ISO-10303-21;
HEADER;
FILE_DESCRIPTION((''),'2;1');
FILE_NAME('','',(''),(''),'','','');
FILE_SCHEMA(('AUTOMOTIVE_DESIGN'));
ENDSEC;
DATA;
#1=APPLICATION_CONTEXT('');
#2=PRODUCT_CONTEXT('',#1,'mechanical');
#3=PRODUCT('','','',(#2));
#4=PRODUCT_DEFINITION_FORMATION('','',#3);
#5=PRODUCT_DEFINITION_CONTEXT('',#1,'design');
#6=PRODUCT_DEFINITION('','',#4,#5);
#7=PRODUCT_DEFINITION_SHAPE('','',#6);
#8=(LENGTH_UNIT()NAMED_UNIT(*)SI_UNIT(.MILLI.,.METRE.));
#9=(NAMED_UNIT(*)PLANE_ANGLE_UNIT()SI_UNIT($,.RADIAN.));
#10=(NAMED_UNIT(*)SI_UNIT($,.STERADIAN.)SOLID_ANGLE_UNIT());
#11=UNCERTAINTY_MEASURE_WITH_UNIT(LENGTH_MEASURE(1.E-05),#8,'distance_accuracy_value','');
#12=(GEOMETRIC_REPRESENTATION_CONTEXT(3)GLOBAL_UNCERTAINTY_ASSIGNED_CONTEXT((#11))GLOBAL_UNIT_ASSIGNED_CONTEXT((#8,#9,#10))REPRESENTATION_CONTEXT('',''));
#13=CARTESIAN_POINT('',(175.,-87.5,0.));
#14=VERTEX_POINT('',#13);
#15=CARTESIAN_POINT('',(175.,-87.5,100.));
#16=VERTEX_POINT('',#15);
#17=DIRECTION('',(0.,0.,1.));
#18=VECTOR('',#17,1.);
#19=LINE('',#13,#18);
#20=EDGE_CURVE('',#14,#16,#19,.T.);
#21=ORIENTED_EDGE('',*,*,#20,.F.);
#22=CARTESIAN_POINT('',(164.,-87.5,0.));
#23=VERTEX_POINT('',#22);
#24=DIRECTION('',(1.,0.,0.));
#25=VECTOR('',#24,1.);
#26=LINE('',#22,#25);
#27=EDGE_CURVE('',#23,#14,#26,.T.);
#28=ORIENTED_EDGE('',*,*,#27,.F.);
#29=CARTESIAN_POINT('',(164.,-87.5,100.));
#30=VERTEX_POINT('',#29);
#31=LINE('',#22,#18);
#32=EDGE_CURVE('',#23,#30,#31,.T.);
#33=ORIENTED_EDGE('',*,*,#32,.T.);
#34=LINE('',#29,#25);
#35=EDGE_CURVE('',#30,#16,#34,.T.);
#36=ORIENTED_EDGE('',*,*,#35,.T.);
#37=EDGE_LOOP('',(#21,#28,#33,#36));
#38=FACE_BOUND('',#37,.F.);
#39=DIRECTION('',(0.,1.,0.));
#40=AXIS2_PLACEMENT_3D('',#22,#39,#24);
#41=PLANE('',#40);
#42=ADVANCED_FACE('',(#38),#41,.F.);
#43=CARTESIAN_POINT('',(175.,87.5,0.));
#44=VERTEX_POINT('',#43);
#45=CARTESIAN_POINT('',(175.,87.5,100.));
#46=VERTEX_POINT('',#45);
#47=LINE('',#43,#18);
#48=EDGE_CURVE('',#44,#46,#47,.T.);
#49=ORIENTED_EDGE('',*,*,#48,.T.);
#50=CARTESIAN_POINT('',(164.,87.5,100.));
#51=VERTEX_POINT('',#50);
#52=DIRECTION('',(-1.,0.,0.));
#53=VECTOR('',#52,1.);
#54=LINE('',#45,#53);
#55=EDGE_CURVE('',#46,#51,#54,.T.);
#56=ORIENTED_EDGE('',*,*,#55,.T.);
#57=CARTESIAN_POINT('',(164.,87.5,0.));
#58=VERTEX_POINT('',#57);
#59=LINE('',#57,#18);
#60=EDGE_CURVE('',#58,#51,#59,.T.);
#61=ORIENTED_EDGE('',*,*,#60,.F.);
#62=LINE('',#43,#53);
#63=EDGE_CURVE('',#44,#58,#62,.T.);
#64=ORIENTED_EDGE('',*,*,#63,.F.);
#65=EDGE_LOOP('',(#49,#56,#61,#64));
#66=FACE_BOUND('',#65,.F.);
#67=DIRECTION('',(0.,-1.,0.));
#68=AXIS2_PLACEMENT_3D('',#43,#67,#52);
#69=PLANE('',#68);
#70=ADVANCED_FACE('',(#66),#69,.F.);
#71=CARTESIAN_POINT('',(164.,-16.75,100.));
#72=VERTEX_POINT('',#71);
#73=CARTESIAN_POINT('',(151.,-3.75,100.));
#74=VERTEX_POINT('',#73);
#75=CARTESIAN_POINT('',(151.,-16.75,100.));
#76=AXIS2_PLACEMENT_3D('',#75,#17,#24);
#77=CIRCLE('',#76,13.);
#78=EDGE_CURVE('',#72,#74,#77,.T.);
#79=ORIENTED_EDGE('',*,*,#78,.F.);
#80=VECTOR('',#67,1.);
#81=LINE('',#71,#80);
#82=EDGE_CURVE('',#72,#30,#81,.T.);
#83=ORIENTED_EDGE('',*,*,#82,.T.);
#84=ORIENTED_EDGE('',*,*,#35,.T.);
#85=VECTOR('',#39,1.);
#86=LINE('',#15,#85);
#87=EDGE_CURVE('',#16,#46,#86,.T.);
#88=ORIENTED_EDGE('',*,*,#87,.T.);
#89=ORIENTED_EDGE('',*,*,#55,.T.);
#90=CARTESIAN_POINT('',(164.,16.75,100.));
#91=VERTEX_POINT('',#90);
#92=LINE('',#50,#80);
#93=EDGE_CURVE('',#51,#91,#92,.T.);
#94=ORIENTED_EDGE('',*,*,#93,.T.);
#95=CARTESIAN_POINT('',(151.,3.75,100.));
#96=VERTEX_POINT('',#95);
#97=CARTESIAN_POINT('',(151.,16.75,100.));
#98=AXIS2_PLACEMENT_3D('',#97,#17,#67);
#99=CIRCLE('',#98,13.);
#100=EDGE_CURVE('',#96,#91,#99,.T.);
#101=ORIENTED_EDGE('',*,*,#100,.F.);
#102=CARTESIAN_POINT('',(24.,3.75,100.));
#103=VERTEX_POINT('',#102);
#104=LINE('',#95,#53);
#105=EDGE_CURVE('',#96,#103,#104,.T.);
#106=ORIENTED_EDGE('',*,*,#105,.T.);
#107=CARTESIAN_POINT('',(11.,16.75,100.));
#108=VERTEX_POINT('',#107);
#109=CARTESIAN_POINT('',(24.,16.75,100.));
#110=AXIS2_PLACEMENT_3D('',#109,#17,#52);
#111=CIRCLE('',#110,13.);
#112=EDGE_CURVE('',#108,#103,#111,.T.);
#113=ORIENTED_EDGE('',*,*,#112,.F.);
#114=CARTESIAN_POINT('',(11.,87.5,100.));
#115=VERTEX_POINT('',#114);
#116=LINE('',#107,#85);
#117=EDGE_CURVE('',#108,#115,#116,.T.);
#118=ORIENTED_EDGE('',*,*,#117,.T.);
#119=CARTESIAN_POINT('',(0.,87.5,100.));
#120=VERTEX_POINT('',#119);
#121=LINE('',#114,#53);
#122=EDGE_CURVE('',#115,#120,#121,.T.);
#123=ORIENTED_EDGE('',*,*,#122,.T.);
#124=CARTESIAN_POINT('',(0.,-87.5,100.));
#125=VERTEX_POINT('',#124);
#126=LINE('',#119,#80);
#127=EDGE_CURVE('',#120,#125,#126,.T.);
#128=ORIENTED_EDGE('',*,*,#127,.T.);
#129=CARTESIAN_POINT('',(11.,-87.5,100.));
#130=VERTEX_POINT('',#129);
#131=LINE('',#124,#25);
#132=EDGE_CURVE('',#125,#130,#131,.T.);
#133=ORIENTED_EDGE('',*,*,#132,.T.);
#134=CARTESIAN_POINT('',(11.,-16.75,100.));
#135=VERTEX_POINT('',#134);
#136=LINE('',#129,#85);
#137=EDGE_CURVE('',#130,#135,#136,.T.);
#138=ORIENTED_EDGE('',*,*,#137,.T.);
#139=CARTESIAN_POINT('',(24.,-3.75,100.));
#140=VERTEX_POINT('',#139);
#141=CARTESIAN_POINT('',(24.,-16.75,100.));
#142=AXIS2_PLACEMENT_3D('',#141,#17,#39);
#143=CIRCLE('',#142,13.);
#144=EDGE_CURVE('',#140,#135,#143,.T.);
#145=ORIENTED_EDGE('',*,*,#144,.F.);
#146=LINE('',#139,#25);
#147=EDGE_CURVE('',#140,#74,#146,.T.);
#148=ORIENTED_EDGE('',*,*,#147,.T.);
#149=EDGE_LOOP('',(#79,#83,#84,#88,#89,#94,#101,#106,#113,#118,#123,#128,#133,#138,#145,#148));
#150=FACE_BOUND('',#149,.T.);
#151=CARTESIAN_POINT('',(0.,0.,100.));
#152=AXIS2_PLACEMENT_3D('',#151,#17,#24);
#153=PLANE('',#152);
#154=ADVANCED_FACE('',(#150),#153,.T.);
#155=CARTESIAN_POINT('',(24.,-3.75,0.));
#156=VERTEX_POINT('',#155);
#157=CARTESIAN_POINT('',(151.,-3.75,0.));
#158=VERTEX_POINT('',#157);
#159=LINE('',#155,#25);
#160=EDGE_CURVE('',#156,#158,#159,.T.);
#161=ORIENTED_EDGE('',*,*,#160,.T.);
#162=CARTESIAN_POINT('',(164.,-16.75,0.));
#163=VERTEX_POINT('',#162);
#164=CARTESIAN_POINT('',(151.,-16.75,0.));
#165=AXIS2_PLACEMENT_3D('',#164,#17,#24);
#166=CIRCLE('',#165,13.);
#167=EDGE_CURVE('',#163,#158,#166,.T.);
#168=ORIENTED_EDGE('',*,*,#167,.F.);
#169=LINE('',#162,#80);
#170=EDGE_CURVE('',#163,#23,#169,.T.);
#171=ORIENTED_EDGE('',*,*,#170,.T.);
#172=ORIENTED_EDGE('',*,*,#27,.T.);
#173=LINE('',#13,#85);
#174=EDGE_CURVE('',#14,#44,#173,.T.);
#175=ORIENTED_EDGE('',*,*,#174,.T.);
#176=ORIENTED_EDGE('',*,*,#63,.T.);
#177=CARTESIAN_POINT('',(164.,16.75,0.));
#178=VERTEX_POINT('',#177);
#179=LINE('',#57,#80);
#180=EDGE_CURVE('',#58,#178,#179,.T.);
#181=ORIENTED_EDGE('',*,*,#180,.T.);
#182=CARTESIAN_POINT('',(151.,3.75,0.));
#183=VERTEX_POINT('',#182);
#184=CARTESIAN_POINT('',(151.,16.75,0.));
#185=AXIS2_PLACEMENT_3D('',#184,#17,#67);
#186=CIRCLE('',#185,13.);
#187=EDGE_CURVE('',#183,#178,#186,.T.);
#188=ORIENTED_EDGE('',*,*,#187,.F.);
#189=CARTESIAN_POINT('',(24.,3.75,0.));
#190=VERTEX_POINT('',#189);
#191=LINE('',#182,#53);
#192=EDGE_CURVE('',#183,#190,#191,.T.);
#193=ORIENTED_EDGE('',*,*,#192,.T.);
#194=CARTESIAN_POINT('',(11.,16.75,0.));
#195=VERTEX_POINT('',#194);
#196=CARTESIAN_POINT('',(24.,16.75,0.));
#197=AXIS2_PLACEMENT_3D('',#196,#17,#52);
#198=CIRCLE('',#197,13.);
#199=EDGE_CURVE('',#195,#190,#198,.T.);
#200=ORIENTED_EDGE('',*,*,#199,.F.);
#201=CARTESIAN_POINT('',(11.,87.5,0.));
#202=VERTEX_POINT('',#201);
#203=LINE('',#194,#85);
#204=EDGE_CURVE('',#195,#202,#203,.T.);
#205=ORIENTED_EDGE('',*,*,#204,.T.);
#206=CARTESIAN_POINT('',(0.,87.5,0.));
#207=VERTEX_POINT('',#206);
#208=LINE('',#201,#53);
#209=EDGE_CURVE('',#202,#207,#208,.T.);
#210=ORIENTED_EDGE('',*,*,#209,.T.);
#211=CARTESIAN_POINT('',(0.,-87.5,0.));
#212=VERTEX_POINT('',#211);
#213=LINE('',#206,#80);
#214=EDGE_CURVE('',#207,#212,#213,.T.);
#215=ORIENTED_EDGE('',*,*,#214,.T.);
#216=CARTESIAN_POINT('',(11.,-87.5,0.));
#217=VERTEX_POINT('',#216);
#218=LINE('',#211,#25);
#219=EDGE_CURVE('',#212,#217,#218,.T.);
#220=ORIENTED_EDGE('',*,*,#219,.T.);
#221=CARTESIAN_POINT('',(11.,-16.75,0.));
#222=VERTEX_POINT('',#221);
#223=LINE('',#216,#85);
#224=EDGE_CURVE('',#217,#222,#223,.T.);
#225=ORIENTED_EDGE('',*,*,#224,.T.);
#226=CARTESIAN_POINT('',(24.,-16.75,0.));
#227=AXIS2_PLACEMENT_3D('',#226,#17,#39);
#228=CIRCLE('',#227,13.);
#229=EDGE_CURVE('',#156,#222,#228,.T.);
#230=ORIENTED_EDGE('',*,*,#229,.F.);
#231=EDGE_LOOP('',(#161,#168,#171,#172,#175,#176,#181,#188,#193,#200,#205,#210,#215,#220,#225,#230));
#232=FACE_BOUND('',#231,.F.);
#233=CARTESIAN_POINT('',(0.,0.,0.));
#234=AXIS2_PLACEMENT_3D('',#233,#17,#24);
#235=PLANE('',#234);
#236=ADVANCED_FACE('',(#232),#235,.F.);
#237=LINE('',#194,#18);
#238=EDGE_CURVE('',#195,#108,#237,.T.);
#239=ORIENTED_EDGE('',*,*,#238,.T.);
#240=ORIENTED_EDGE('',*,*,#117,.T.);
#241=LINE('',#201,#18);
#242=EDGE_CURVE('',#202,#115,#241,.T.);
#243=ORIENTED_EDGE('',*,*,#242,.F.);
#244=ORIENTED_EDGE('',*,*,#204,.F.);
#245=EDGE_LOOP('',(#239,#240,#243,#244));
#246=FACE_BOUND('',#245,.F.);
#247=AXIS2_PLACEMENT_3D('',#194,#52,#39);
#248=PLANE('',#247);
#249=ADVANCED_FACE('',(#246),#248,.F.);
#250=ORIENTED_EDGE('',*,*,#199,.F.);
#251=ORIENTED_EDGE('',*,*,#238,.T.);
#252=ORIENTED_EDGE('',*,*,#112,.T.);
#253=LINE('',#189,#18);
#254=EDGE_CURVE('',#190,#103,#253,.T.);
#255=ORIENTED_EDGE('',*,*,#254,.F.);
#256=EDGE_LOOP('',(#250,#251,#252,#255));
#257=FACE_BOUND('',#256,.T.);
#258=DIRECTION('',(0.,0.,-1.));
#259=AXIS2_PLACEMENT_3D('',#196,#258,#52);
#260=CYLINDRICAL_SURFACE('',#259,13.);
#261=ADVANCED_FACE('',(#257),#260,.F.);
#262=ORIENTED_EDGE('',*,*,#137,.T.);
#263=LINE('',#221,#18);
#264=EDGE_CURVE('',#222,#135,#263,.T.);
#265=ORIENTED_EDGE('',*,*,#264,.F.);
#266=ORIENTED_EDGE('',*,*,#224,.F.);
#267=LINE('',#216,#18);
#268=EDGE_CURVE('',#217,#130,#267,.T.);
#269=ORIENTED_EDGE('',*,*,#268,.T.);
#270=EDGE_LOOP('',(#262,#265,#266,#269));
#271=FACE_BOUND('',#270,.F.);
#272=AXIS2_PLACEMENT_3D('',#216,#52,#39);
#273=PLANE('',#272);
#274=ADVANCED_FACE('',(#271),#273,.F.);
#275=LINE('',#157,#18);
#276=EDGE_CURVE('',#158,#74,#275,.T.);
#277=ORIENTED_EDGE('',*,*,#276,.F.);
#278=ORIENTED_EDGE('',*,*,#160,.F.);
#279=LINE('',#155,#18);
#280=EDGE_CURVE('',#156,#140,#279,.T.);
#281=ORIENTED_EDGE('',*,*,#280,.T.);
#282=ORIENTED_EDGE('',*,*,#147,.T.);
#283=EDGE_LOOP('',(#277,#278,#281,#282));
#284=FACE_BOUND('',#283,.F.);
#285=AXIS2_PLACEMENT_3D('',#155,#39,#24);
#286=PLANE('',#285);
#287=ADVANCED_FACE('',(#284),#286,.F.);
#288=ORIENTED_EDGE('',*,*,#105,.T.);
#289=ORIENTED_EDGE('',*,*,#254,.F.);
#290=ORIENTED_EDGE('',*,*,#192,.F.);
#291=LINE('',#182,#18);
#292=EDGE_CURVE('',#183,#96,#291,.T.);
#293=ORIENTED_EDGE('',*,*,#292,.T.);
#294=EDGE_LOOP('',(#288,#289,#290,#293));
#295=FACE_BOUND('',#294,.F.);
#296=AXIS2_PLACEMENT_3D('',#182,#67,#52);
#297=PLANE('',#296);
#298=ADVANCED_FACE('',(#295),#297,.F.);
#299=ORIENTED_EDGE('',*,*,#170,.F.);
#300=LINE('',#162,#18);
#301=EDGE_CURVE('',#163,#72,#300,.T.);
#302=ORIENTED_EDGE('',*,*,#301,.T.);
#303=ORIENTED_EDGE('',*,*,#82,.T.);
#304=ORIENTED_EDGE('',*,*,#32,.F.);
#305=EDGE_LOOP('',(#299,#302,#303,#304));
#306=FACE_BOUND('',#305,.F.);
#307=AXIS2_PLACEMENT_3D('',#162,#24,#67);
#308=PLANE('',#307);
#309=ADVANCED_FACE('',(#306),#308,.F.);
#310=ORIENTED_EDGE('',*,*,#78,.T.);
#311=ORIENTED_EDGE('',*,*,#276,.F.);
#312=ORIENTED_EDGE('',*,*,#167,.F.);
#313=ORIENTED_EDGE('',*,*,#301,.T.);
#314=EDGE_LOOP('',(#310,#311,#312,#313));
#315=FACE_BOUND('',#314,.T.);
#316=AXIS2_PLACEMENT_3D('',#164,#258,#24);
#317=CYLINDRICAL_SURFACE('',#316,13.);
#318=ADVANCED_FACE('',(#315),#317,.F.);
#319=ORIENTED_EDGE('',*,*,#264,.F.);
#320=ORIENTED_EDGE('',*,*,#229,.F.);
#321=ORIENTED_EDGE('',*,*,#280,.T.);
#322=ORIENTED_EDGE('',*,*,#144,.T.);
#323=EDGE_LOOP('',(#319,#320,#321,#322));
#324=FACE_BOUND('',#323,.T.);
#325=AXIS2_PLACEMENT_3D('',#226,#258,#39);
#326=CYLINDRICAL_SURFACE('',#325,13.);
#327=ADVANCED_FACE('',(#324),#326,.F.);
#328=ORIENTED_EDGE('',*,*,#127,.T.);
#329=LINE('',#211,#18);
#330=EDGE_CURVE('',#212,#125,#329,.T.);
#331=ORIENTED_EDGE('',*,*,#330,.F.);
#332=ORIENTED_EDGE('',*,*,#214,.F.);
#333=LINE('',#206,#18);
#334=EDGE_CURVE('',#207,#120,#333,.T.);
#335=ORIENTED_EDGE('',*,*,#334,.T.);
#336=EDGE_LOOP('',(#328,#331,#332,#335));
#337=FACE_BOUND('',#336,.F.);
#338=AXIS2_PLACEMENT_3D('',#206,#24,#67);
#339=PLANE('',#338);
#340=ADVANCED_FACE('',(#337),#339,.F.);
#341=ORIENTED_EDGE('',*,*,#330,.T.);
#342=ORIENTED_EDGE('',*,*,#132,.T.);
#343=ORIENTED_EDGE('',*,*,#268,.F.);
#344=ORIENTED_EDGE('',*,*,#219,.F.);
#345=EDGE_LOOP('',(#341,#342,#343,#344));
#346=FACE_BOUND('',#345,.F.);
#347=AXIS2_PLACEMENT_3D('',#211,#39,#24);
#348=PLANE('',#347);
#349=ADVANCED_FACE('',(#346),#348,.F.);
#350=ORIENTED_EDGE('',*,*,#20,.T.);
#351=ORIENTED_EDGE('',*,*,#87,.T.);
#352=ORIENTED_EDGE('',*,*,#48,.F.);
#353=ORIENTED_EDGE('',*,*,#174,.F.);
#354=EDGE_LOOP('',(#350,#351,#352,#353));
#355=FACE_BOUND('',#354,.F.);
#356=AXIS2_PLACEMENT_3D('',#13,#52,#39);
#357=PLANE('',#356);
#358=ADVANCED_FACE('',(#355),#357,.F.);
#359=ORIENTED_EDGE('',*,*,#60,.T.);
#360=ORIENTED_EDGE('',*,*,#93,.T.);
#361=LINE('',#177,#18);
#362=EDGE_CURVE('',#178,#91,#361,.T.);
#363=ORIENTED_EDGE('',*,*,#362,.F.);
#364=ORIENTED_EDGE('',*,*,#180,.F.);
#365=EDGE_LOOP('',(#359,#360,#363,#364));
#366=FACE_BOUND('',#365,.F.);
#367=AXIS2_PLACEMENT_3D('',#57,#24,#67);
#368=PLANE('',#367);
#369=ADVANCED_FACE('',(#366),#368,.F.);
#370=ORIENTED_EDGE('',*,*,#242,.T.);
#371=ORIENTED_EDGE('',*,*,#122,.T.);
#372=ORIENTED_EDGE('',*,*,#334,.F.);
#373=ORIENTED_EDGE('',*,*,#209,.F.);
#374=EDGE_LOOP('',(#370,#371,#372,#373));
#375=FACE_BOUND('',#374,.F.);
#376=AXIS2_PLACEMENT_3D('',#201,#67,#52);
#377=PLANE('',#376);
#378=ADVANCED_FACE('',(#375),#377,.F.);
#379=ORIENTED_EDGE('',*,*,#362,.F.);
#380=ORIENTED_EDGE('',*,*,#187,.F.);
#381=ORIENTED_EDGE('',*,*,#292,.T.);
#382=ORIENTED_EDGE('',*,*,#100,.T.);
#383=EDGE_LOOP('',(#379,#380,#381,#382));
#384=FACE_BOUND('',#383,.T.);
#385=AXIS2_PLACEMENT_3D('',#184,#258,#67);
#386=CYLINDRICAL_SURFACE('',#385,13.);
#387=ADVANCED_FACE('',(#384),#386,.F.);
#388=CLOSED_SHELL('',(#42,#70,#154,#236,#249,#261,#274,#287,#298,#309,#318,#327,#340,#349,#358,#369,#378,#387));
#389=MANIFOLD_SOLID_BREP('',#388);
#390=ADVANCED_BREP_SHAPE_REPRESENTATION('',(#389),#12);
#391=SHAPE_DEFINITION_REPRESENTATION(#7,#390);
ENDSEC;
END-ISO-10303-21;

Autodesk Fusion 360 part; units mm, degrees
sketch "スケッチ1" plane through (0, 0, 0) normal (0, 0, 1) x (1, 0, 0)
  line L0 (0, 87.5) -> (0, -87.5)
  line L1 (175, -87.5) -> (175, 87.5)
  line L2 (151, 3.75) -> (24, 3.75)
  line L3 (24, -3.75) -> (151, -3.75)
  line L4 (11, -87.5) -> (11, -16.75)
  line L5 (0, -87.5) -> (11, -87.5)
  line L6 (164, -16.75) -> (164, -87.5)
  line L7 (164, -87.5) -> (175, -87.5)
  line L8 (11, 16.75) -> (11, 87.5)
  line L9 (11, 87.5) -> (0, 87.5)
  line L10 (164, 87.5) -> (164, 16.75)
  line L11 (175, 87.5) -> (164, 87.5)
  arc A0 (24, -3.75) -> (11, -16.75) centre (24, -16.75) ccw
  arc A1 (11, 16.75) -> (24, 3.75) centre (24, 16.75) ccw
  arc A2 (151, 3.75) -> (164, 16.75) centre (151, 16.75) ccw
  arc A3 (164, -16.75) -> (151, -3.75) centre (151, -16.75) ccw
extrude "押し出し1" add sketch "スケッチ1" along normal blind 100
